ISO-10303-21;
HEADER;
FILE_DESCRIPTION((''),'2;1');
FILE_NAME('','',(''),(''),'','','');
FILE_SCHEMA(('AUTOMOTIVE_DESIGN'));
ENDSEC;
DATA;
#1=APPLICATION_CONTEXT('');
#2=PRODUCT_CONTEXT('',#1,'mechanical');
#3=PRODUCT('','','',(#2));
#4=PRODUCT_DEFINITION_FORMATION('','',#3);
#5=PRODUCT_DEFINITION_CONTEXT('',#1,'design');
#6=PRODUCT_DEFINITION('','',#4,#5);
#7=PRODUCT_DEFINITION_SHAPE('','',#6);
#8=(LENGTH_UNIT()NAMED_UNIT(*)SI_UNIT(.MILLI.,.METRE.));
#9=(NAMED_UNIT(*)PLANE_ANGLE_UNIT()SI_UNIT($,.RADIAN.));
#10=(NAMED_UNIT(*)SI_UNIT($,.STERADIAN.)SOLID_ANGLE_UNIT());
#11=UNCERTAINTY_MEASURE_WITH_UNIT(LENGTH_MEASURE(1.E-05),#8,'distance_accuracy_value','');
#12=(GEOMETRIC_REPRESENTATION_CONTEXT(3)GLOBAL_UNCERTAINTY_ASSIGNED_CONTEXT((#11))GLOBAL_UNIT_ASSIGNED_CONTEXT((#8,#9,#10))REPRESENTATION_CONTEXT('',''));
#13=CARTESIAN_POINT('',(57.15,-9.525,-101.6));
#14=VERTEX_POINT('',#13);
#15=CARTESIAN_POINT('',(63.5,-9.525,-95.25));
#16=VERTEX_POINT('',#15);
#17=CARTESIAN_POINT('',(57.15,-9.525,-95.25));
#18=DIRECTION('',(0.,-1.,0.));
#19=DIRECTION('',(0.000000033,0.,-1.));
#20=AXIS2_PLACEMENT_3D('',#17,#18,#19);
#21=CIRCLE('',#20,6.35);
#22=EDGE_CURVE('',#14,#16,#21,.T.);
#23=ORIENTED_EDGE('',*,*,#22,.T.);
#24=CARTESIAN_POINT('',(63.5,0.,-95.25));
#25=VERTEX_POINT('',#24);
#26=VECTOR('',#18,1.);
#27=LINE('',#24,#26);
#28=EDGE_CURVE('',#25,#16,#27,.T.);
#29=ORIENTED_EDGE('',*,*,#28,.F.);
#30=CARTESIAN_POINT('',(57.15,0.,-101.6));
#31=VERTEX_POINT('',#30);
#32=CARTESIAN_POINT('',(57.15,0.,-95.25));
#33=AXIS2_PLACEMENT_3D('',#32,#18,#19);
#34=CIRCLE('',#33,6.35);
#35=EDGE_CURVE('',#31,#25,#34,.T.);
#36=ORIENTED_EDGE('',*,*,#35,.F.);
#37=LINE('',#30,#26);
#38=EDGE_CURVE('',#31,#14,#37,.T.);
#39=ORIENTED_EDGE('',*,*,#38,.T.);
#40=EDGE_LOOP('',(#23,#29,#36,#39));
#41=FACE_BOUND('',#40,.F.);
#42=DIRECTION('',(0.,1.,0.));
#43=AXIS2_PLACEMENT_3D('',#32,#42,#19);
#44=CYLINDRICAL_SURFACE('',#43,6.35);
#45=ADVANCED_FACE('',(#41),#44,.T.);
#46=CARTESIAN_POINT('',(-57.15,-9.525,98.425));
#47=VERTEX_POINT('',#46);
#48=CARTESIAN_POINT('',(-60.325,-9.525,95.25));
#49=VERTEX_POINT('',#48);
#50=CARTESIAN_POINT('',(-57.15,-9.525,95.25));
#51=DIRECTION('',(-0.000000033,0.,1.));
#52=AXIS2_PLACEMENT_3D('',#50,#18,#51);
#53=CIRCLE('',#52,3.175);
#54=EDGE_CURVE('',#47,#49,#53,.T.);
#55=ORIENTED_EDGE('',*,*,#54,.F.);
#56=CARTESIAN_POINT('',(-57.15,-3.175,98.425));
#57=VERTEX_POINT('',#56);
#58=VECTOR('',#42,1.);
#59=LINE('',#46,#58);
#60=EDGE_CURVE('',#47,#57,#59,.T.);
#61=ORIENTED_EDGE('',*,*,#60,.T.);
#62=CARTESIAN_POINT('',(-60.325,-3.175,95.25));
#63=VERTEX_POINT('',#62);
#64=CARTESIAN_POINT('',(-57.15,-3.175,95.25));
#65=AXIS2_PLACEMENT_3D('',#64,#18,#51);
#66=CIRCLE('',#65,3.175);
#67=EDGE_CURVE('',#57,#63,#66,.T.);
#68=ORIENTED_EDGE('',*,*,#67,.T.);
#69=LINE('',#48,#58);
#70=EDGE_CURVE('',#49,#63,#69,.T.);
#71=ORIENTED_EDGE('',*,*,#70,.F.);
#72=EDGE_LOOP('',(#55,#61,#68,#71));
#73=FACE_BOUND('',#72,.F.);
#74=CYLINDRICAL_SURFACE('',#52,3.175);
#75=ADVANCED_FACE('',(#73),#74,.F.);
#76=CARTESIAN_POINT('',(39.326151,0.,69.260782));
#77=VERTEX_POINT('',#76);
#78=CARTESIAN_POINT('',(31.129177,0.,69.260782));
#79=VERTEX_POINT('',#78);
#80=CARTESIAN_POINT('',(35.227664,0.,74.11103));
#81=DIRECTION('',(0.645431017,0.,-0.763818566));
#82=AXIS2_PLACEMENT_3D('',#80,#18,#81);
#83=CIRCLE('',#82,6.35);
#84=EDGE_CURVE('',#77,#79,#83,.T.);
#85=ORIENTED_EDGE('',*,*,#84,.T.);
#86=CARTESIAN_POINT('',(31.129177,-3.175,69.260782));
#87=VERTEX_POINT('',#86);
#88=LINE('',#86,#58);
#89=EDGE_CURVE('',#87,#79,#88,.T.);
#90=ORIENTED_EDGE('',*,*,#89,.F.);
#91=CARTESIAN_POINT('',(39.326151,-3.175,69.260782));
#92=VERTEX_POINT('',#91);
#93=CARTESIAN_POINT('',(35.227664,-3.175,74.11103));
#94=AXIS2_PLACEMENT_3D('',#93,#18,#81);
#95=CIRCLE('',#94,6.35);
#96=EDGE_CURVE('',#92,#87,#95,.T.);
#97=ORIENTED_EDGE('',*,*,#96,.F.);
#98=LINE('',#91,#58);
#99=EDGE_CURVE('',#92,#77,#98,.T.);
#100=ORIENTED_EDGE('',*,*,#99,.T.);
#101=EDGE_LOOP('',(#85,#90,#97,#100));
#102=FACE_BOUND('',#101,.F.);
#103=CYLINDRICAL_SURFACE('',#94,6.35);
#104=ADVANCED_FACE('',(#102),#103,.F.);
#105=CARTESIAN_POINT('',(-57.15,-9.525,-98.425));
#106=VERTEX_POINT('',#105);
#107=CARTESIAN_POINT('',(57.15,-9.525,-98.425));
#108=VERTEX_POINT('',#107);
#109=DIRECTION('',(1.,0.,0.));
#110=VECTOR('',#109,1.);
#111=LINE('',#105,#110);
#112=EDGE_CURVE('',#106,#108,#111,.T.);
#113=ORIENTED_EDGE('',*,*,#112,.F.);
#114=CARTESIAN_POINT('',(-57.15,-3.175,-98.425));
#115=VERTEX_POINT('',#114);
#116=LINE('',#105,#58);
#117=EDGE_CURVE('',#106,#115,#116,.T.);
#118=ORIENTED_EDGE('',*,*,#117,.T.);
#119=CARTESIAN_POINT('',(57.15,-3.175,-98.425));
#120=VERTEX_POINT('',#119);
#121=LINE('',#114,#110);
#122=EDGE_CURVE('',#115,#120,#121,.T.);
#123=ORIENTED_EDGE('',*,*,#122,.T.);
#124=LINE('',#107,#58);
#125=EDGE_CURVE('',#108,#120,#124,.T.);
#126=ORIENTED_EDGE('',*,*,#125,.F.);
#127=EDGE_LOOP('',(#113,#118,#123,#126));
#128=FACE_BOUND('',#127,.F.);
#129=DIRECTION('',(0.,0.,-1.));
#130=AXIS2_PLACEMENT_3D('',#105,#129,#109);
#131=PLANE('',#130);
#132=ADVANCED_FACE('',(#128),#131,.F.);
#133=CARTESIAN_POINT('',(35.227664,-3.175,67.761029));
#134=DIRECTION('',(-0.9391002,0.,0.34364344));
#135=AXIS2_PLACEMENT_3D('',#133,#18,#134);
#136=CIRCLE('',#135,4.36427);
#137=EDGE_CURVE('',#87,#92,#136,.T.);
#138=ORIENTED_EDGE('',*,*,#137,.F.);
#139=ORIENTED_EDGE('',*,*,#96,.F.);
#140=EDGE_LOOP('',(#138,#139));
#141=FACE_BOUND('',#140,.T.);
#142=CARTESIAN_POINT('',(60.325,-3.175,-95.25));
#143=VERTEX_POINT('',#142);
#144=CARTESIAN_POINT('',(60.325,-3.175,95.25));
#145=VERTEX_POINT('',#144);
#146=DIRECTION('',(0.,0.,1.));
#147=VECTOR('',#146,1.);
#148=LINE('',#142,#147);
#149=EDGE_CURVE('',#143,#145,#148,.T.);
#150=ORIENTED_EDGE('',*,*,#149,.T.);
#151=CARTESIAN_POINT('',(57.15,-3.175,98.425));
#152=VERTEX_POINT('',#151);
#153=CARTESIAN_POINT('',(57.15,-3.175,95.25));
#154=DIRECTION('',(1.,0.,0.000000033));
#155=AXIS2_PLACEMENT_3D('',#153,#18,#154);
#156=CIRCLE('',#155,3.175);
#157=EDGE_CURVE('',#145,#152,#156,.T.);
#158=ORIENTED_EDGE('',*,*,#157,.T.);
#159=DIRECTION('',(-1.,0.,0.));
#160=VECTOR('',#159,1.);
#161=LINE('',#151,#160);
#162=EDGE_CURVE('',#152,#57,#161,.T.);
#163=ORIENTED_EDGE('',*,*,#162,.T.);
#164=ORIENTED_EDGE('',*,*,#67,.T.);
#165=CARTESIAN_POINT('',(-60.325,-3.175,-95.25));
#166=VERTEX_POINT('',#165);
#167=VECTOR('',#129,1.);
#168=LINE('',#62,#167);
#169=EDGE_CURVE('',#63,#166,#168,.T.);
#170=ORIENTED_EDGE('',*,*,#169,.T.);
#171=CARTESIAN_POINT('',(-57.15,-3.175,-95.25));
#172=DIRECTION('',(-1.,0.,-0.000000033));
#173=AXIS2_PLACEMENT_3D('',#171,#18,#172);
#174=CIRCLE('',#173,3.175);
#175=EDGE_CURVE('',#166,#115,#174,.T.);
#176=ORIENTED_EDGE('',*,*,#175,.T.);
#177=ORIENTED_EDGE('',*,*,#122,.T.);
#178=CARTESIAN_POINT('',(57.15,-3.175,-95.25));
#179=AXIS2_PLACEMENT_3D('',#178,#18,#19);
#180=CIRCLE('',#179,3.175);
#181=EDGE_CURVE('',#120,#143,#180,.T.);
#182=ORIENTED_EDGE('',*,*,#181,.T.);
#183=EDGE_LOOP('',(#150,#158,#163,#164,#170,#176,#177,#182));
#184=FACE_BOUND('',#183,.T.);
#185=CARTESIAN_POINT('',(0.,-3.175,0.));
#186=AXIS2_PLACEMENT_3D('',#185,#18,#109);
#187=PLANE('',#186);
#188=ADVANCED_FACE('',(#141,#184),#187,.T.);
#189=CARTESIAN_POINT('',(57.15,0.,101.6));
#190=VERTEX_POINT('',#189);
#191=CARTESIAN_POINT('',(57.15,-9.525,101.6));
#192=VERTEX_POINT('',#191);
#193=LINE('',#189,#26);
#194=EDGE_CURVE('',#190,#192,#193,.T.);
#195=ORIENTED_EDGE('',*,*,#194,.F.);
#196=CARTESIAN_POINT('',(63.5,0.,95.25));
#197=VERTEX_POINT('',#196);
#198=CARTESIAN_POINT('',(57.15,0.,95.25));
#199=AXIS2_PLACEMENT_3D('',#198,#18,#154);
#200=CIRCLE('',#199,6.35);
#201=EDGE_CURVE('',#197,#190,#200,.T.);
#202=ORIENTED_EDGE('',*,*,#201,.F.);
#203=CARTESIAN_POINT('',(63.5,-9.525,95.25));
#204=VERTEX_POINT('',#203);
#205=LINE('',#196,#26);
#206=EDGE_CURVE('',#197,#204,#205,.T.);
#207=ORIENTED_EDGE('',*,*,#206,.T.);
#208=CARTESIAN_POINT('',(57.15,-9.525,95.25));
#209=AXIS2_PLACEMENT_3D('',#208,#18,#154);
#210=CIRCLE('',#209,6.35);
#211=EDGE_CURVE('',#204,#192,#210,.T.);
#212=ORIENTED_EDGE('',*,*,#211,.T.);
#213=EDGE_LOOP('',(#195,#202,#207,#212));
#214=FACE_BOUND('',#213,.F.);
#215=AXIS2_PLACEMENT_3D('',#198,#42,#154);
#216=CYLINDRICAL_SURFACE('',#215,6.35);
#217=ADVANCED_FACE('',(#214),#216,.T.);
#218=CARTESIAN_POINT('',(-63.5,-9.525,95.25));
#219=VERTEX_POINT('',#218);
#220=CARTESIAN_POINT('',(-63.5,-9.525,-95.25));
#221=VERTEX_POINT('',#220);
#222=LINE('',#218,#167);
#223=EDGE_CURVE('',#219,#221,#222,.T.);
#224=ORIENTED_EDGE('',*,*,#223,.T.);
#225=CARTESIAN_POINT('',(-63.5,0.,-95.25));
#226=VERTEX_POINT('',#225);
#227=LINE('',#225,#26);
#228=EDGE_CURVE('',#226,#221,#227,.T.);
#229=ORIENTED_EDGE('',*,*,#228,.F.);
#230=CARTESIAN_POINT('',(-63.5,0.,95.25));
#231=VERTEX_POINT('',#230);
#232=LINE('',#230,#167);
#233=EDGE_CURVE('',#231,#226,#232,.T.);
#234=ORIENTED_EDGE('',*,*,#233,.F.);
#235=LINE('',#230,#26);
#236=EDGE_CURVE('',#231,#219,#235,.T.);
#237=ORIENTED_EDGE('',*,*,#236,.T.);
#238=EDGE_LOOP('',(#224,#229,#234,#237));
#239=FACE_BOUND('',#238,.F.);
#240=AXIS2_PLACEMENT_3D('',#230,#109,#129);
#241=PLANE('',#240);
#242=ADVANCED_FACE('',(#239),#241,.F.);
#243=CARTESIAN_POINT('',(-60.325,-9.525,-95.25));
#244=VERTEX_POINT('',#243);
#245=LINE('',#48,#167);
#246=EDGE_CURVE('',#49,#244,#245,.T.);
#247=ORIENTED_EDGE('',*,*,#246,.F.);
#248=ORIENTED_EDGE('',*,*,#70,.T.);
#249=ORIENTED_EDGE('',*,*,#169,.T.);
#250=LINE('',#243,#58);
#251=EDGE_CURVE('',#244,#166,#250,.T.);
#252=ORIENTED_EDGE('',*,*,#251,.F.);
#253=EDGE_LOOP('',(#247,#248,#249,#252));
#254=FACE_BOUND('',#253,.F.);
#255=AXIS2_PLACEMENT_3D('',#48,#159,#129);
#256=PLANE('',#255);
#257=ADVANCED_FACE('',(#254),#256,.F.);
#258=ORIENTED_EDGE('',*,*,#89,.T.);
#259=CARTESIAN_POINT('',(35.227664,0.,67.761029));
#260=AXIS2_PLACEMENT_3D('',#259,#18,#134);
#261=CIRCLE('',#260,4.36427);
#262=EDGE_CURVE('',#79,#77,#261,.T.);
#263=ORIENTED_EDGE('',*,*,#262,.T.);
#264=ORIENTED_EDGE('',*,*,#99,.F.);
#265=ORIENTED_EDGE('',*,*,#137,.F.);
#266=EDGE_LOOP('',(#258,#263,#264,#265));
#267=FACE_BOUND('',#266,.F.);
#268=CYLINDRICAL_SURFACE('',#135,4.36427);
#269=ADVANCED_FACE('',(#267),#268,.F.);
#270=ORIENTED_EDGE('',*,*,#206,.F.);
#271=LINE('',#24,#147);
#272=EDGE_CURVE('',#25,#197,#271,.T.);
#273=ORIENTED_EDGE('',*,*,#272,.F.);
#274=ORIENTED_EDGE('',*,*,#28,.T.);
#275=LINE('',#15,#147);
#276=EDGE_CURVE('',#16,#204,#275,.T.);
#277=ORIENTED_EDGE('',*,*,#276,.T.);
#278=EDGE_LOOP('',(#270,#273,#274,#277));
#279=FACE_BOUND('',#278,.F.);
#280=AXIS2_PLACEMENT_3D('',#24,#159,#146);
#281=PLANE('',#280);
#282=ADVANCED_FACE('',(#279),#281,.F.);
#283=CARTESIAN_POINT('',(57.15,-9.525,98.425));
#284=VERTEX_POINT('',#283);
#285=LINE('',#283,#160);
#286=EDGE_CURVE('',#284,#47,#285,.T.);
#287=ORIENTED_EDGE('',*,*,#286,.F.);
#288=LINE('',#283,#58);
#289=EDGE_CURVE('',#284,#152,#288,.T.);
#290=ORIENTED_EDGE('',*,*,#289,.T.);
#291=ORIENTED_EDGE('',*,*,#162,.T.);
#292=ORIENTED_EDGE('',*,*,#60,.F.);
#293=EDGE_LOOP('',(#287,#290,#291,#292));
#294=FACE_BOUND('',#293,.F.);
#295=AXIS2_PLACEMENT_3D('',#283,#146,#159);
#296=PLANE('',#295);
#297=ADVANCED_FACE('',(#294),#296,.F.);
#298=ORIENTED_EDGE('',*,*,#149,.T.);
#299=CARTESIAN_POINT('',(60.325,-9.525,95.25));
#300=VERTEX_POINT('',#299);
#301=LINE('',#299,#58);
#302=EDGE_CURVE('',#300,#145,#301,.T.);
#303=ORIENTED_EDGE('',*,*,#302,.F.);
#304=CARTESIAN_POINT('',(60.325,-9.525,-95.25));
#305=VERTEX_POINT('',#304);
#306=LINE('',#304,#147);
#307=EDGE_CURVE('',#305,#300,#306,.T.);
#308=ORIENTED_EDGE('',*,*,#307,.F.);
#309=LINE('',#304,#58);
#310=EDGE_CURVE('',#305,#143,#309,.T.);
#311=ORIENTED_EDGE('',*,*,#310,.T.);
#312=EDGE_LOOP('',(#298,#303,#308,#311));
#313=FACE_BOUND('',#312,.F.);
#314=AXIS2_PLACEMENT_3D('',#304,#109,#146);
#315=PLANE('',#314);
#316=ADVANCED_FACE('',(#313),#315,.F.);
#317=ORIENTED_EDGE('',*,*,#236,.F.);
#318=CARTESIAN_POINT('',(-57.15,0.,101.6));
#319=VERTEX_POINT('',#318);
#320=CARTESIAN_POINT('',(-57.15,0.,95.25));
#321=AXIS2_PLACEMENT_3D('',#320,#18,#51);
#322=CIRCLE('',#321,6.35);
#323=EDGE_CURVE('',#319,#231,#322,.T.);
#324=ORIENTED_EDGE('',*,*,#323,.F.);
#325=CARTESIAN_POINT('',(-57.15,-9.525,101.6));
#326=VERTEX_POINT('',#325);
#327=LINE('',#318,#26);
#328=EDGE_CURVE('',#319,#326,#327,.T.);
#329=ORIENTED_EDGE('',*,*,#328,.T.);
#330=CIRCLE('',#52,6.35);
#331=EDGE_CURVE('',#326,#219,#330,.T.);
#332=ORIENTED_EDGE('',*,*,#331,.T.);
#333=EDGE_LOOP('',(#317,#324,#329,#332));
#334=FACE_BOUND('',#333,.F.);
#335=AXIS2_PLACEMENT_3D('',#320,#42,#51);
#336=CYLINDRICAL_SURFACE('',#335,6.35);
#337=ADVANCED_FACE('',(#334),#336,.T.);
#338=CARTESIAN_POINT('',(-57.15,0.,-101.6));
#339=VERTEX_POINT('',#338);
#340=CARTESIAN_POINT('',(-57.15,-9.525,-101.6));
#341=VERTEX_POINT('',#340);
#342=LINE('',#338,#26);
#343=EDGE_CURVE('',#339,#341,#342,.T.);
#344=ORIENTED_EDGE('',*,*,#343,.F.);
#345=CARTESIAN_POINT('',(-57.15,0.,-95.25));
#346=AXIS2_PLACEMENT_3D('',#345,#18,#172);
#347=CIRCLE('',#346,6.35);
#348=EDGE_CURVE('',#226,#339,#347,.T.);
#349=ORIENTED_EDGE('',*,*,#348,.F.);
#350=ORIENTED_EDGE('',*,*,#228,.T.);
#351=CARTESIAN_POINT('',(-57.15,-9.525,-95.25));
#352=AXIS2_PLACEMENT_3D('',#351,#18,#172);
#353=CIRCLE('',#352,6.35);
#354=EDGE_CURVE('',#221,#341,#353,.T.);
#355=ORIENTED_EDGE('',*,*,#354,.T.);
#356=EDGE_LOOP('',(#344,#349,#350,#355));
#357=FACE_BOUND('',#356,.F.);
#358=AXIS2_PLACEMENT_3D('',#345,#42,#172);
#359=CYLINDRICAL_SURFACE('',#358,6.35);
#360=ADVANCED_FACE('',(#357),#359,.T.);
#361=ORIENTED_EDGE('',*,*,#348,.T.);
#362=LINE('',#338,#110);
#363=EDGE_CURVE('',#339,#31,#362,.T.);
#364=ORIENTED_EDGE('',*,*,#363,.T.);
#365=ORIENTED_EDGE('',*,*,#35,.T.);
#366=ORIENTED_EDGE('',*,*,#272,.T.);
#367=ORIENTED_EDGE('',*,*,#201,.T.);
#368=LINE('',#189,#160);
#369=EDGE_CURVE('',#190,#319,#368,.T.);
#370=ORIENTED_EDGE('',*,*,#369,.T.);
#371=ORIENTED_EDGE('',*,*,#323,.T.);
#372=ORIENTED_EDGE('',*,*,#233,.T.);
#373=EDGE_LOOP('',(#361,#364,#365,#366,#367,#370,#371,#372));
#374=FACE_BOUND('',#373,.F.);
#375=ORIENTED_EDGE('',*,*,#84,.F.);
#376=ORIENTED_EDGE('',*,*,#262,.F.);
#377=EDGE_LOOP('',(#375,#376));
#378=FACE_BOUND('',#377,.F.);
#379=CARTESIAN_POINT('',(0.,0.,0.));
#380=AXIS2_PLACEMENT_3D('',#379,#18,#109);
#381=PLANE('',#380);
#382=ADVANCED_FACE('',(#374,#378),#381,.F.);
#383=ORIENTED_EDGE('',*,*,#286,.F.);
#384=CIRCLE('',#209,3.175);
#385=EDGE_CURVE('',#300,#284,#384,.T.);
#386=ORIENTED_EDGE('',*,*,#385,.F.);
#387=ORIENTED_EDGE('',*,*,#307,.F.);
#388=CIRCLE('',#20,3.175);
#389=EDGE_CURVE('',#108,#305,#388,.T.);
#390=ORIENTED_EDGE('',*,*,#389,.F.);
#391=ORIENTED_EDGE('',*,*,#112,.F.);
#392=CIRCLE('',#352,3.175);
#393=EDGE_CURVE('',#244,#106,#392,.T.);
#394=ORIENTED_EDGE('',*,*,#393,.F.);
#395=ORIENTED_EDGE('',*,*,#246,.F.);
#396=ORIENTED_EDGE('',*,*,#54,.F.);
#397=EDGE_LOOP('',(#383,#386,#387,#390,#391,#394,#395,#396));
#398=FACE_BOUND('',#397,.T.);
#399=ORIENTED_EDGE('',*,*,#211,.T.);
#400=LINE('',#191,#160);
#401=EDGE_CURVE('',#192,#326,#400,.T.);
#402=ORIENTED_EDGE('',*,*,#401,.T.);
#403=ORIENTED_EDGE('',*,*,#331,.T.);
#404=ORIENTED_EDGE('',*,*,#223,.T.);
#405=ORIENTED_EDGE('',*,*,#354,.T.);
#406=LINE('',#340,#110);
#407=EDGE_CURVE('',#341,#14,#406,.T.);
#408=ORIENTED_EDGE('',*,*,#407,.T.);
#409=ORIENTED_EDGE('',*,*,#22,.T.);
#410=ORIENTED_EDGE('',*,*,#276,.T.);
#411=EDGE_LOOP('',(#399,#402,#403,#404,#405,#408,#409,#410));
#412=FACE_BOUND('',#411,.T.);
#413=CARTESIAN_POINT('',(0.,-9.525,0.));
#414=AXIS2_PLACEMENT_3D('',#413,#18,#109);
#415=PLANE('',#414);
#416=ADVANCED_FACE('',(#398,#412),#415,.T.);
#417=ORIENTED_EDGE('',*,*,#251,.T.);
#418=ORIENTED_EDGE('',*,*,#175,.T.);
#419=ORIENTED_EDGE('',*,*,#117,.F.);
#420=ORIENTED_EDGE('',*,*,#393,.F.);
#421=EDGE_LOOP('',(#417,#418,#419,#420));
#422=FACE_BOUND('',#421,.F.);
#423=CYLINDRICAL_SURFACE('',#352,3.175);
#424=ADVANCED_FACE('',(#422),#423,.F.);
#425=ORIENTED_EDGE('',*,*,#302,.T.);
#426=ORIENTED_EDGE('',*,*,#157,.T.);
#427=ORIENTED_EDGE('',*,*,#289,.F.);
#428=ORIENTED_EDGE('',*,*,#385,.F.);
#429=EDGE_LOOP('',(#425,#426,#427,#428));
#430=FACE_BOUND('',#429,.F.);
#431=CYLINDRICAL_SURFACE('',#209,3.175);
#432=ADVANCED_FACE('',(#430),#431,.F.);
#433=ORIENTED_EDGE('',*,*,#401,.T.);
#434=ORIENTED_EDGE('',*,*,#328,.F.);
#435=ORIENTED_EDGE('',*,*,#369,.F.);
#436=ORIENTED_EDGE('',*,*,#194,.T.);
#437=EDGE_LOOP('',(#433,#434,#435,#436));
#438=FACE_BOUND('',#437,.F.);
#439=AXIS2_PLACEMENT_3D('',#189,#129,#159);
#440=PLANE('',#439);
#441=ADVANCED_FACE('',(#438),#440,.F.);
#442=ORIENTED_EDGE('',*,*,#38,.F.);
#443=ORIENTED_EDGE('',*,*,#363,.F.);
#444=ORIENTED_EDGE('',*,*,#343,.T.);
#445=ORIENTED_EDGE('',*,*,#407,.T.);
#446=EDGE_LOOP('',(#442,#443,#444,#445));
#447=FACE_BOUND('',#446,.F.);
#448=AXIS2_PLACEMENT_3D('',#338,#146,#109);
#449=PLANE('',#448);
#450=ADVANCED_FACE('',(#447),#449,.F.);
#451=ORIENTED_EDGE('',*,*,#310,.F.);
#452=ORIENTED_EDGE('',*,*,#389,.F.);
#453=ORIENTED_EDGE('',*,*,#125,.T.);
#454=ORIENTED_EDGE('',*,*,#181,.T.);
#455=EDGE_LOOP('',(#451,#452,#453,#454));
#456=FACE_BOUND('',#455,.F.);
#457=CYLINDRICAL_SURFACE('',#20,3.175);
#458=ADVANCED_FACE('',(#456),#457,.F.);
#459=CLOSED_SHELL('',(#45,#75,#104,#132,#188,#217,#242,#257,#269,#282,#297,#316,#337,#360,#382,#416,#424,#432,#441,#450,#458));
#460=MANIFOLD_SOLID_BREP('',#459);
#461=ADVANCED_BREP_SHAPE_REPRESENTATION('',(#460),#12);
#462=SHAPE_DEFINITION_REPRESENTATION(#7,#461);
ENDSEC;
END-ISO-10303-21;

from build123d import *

# Parameters (mm, degrees)
F1_DEPTH = 9.525
F3_DEPTH = 6.35
F5_DEPTH = 3.175


with BuildPart() as f1:
    # F0 (on Front) → F1 (new body)
    with BuildSketch(Plane.XZ):
        with BuildLine():
            ThreePointArc((63.5, 95.25), (61.640128, 99.740128), (57.15, 101.6))
            Line((57.15, 101.6), (-57.15, 101.6))
            ThreePointArc((-57.15, 101.6), (-61.640128, 99.740128), (-63.5, 95.25))
            Line((-63.5, 95.25), (-63.5, -95.25))
            ThreePointArc((-63.5, -95.25), (-61.640128, -99.740128), (-57.15, -101.6))
            Line((-57.15, -101.6), (57.15, -101.6))
            ThreePointArc((57.15, -101.6), (61.640128, -99.740128), (63.5, -95.25))
            Line((63.5, -95.25), (63.5, 95.25))
        make_face()
    extrude(amount=F1_DEPTH)

    # F2 (on face) → F3 (cut)
    with BuildSketch(Plane.XZ.offset(9.525)):
        with BuildLine():
            ThreePointArc((60.325, 95.25), (59.395064, 97.495064), (57.15, 98.425))
            Line((57.15, 98.425), (-57.15, 98.425))
            ThreePointArc((-57.15, 98.425), (-59.395064, 97.495064), (-60.325, 95.25))
            Line((-60.325, 95.25), (-60.325, -95.25))
            ThreePointArc((-60.325, -95.25), (-59.395064, -97.495064), (-57.15, -98.425))
            Line((-57.15, -98.425), (57.15, -98.425))
            ThreePointArc((57.15, -98.425), (59.395064, -97.495064), (60.325, -95.25))
            Line((60.325, -95.25), (60.325, 95.25))
        make_face()
    extrude(amount=-F3_DEPTH, mode=Mode.SUBTRACT)

    # F4 (on face) → F5 (cut, through all)
    with BuildSketch(Plane.XZ.offset(3.175)):
        with BuildLine():
            ThreePointArc((31.129177, 69.260782), (35.227664, 63.396759), (39.326151, 69.260782))
            ThreePointArc((39.326151, 69.260782), (35.227664, 80.46103), (31.129177, 69.260782))
        make_face()
    extrude(amount=-F5_DEPTH, mode=Mode.SUBTRACT)


solid = f1.part
